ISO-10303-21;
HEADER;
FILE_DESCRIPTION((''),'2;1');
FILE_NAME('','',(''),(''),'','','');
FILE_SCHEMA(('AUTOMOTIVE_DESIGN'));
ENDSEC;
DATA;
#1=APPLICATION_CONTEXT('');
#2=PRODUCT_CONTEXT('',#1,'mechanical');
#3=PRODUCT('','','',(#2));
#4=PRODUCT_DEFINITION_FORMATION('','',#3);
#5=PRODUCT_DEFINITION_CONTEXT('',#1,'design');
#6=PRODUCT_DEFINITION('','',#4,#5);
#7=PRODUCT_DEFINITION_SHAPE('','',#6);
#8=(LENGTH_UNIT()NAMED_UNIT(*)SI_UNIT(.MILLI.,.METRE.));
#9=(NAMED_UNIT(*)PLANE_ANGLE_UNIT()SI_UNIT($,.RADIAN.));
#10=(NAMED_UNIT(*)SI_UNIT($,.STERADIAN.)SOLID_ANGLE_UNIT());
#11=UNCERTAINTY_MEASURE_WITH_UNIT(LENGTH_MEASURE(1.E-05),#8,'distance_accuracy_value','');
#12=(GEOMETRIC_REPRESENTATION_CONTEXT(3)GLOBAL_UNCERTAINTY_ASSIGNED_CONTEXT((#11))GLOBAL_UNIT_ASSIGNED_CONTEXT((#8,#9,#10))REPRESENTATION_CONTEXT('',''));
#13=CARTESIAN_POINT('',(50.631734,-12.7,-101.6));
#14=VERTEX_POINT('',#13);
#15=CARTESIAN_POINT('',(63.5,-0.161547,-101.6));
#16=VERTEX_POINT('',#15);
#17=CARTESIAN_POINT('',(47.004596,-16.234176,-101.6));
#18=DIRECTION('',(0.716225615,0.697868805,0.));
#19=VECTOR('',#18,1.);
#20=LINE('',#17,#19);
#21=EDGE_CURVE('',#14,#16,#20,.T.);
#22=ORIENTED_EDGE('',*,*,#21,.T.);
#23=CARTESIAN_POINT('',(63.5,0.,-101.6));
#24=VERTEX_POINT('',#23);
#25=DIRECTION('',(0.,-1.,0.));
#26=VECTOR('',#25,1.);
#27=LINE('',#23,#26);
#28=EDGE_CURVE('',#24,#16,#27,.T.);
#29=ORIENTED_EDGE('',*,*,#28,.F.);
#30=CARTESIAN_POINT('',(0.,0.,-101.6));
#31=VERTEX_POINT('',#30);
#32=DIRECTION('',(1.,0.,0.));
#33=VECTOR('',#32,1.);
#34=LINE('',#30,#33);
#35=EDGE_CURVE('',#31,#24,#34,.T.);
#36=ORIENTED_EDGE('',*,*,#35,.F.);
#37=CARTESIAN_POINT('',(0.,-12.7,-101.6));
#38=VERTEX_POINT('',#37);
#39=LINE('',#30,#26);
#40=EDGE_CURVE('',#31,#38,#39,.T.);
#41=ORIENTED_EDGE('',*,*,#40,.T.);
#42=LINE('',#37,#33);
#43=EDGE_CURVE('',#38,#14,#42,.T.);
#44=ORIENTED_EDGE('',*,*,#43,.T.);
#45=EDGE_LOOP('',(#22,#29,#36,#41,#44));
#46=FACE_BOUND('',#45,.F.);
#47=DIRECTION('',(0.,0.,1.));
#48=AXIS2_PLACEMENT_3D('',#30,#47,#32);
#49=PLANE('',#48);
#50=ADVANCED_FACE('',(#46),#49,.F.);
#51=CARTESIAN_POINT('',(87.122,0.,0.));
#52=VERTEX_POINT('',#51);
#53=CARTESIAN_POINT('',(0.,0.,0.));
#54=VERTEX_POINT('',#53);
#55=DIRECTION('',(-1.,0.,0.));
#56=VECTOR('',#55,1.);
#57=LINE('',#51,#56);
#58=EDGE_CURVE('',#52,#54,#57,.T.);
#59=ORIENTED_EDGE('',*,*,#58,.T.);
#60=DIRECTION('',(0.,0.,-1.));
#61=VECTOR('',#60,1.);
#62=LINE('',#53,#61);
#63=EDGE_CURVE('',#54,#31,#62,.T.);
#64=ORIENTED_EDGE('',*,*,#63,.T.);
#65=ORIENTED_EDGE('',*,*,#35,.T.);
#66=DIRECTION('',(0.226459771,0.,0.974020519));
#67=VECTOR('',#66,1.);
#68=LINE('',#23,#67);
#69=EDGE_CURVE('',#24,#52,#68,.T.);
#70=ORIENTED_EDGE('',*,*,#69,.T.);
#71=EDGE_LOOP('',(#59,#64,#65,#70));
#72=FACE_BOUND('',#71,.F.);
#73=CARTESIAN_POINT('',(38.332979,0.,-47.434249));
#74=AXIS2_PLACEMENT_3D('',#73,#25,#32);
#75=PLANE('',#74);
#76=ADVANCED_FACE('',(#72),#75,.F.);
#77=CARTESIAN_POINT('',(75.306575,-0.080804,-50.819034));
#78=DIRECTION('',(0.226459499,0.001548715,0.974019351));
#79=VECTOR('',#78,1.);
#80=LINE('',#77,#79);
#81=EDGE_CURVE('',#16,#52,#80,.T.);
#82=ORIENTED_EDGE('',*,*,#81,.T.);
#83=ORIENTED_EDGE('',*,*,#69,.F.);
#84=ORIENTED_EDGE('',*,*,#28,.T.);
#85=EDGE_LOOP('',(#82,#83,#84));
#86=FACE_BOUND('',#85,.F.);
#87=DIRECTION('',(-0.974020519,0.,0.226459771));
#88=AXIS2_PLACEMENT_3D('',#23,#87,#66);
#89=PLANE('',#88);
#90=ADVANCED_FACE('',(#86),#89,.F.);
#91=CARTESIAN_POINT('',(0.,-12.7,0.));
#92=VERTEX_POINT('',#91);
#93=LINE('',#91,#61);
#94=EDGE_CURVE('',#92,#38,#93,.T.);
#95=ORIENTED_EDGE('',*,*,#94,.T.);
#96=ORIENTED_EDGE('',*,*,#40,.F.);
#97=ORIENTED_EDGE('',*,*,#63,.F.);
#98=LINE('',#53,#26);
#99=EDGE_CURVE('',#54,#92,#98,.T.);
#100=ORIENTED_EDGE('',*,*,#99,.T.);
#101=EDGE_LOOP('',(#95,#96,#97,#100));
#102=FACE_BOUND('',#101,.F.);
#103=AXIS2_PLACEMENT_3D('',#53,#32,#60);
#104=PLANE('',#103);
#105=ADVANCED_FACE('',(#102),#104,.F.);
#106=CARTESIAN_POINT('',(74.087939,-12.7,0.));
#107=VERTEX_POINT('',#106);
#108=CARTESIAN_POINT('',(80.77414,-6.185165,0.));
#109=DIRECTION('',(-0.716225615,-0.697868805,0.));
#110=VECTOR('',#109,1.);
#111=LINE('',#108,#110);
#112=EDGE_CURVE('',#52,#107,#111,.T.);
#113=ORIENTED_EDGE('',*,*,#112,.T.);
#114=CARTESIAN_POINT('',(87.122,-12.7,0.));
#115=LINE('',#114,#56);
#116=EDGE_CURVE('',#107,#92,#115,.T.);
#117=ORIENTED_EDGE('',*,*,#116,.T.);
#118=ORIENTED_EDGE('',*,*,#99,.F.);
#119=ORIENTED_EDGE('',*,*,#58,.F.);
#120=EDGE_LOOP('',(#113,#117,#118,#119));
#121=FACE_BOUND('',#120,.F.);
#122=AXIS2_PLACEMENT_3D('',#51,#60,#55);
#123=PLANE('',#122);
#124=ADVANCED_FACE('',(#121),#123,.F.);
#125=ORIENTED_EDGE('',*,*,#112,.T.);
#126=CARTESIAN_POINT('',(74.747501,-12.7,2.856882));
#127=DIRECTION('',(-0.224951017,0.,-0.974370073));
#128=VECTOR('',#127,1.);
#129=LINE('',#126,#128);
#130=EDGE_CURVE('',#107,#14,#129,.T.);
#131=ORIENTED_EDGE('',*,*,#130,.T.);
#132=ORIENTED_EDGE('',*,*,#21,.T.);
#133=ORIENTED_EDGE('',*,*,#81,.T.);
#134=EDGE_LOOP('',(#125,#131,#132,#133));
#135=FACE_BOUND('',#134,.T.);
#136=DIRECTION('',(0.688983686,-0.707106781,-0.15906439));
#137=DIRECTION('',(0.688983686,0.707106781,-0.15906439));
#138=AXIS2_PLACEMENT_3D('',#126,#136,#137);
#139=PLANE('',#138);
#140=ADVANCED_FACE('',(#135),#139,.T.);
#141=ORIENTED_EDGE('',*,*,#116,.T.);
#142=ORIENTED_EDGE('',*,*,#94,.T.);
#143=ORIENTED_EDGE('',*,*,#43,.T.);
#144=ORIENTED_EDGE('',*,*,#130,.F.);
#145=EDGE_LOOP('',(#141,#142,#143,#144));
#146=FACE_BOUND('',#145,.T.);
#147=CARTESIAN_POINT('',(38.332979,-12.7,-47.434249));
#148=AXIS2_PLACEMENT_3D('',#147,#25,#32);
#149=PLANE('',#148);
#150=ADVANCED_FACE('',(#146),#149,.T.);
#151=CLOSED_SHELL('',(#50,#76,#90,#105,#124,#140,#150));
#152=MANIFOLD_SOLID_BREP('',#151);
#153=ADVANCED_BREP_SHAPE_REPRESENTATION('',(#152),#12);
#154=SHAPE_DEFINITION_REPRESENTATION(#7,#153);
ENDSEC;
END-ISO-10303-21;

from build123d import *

# Parameters (mm, degrees)
F1_DEPTH = 12.7
F4_DEPTH = 118.595184


with BuildPart() as f1:
    # F0 (on Front) → F1 (new body)
    with BuildSketch(Plane.XZ):
        Polygon((87.122, 0), (0, 0), (0, -101.6), (63.5, -101.6), align=None)
    extrude(amount=F1_DEPTH)

    # F3 (on face) → F4 (cut, through all)
    with BuildSketch(Plane(origin=(4.408633, 0, 19.095886), x_dir=(0.97437, 0, -0.224951), z_dir=(-0.224951, 0, -0.97437))):
        Polygon((84.889069, 12.7), (72.189069, 12.7), (84.889069, 0), align=None)
    extrude(amount=F4_DEPTH, mode=Mode.SUBTRACT)


solid = f1.part
